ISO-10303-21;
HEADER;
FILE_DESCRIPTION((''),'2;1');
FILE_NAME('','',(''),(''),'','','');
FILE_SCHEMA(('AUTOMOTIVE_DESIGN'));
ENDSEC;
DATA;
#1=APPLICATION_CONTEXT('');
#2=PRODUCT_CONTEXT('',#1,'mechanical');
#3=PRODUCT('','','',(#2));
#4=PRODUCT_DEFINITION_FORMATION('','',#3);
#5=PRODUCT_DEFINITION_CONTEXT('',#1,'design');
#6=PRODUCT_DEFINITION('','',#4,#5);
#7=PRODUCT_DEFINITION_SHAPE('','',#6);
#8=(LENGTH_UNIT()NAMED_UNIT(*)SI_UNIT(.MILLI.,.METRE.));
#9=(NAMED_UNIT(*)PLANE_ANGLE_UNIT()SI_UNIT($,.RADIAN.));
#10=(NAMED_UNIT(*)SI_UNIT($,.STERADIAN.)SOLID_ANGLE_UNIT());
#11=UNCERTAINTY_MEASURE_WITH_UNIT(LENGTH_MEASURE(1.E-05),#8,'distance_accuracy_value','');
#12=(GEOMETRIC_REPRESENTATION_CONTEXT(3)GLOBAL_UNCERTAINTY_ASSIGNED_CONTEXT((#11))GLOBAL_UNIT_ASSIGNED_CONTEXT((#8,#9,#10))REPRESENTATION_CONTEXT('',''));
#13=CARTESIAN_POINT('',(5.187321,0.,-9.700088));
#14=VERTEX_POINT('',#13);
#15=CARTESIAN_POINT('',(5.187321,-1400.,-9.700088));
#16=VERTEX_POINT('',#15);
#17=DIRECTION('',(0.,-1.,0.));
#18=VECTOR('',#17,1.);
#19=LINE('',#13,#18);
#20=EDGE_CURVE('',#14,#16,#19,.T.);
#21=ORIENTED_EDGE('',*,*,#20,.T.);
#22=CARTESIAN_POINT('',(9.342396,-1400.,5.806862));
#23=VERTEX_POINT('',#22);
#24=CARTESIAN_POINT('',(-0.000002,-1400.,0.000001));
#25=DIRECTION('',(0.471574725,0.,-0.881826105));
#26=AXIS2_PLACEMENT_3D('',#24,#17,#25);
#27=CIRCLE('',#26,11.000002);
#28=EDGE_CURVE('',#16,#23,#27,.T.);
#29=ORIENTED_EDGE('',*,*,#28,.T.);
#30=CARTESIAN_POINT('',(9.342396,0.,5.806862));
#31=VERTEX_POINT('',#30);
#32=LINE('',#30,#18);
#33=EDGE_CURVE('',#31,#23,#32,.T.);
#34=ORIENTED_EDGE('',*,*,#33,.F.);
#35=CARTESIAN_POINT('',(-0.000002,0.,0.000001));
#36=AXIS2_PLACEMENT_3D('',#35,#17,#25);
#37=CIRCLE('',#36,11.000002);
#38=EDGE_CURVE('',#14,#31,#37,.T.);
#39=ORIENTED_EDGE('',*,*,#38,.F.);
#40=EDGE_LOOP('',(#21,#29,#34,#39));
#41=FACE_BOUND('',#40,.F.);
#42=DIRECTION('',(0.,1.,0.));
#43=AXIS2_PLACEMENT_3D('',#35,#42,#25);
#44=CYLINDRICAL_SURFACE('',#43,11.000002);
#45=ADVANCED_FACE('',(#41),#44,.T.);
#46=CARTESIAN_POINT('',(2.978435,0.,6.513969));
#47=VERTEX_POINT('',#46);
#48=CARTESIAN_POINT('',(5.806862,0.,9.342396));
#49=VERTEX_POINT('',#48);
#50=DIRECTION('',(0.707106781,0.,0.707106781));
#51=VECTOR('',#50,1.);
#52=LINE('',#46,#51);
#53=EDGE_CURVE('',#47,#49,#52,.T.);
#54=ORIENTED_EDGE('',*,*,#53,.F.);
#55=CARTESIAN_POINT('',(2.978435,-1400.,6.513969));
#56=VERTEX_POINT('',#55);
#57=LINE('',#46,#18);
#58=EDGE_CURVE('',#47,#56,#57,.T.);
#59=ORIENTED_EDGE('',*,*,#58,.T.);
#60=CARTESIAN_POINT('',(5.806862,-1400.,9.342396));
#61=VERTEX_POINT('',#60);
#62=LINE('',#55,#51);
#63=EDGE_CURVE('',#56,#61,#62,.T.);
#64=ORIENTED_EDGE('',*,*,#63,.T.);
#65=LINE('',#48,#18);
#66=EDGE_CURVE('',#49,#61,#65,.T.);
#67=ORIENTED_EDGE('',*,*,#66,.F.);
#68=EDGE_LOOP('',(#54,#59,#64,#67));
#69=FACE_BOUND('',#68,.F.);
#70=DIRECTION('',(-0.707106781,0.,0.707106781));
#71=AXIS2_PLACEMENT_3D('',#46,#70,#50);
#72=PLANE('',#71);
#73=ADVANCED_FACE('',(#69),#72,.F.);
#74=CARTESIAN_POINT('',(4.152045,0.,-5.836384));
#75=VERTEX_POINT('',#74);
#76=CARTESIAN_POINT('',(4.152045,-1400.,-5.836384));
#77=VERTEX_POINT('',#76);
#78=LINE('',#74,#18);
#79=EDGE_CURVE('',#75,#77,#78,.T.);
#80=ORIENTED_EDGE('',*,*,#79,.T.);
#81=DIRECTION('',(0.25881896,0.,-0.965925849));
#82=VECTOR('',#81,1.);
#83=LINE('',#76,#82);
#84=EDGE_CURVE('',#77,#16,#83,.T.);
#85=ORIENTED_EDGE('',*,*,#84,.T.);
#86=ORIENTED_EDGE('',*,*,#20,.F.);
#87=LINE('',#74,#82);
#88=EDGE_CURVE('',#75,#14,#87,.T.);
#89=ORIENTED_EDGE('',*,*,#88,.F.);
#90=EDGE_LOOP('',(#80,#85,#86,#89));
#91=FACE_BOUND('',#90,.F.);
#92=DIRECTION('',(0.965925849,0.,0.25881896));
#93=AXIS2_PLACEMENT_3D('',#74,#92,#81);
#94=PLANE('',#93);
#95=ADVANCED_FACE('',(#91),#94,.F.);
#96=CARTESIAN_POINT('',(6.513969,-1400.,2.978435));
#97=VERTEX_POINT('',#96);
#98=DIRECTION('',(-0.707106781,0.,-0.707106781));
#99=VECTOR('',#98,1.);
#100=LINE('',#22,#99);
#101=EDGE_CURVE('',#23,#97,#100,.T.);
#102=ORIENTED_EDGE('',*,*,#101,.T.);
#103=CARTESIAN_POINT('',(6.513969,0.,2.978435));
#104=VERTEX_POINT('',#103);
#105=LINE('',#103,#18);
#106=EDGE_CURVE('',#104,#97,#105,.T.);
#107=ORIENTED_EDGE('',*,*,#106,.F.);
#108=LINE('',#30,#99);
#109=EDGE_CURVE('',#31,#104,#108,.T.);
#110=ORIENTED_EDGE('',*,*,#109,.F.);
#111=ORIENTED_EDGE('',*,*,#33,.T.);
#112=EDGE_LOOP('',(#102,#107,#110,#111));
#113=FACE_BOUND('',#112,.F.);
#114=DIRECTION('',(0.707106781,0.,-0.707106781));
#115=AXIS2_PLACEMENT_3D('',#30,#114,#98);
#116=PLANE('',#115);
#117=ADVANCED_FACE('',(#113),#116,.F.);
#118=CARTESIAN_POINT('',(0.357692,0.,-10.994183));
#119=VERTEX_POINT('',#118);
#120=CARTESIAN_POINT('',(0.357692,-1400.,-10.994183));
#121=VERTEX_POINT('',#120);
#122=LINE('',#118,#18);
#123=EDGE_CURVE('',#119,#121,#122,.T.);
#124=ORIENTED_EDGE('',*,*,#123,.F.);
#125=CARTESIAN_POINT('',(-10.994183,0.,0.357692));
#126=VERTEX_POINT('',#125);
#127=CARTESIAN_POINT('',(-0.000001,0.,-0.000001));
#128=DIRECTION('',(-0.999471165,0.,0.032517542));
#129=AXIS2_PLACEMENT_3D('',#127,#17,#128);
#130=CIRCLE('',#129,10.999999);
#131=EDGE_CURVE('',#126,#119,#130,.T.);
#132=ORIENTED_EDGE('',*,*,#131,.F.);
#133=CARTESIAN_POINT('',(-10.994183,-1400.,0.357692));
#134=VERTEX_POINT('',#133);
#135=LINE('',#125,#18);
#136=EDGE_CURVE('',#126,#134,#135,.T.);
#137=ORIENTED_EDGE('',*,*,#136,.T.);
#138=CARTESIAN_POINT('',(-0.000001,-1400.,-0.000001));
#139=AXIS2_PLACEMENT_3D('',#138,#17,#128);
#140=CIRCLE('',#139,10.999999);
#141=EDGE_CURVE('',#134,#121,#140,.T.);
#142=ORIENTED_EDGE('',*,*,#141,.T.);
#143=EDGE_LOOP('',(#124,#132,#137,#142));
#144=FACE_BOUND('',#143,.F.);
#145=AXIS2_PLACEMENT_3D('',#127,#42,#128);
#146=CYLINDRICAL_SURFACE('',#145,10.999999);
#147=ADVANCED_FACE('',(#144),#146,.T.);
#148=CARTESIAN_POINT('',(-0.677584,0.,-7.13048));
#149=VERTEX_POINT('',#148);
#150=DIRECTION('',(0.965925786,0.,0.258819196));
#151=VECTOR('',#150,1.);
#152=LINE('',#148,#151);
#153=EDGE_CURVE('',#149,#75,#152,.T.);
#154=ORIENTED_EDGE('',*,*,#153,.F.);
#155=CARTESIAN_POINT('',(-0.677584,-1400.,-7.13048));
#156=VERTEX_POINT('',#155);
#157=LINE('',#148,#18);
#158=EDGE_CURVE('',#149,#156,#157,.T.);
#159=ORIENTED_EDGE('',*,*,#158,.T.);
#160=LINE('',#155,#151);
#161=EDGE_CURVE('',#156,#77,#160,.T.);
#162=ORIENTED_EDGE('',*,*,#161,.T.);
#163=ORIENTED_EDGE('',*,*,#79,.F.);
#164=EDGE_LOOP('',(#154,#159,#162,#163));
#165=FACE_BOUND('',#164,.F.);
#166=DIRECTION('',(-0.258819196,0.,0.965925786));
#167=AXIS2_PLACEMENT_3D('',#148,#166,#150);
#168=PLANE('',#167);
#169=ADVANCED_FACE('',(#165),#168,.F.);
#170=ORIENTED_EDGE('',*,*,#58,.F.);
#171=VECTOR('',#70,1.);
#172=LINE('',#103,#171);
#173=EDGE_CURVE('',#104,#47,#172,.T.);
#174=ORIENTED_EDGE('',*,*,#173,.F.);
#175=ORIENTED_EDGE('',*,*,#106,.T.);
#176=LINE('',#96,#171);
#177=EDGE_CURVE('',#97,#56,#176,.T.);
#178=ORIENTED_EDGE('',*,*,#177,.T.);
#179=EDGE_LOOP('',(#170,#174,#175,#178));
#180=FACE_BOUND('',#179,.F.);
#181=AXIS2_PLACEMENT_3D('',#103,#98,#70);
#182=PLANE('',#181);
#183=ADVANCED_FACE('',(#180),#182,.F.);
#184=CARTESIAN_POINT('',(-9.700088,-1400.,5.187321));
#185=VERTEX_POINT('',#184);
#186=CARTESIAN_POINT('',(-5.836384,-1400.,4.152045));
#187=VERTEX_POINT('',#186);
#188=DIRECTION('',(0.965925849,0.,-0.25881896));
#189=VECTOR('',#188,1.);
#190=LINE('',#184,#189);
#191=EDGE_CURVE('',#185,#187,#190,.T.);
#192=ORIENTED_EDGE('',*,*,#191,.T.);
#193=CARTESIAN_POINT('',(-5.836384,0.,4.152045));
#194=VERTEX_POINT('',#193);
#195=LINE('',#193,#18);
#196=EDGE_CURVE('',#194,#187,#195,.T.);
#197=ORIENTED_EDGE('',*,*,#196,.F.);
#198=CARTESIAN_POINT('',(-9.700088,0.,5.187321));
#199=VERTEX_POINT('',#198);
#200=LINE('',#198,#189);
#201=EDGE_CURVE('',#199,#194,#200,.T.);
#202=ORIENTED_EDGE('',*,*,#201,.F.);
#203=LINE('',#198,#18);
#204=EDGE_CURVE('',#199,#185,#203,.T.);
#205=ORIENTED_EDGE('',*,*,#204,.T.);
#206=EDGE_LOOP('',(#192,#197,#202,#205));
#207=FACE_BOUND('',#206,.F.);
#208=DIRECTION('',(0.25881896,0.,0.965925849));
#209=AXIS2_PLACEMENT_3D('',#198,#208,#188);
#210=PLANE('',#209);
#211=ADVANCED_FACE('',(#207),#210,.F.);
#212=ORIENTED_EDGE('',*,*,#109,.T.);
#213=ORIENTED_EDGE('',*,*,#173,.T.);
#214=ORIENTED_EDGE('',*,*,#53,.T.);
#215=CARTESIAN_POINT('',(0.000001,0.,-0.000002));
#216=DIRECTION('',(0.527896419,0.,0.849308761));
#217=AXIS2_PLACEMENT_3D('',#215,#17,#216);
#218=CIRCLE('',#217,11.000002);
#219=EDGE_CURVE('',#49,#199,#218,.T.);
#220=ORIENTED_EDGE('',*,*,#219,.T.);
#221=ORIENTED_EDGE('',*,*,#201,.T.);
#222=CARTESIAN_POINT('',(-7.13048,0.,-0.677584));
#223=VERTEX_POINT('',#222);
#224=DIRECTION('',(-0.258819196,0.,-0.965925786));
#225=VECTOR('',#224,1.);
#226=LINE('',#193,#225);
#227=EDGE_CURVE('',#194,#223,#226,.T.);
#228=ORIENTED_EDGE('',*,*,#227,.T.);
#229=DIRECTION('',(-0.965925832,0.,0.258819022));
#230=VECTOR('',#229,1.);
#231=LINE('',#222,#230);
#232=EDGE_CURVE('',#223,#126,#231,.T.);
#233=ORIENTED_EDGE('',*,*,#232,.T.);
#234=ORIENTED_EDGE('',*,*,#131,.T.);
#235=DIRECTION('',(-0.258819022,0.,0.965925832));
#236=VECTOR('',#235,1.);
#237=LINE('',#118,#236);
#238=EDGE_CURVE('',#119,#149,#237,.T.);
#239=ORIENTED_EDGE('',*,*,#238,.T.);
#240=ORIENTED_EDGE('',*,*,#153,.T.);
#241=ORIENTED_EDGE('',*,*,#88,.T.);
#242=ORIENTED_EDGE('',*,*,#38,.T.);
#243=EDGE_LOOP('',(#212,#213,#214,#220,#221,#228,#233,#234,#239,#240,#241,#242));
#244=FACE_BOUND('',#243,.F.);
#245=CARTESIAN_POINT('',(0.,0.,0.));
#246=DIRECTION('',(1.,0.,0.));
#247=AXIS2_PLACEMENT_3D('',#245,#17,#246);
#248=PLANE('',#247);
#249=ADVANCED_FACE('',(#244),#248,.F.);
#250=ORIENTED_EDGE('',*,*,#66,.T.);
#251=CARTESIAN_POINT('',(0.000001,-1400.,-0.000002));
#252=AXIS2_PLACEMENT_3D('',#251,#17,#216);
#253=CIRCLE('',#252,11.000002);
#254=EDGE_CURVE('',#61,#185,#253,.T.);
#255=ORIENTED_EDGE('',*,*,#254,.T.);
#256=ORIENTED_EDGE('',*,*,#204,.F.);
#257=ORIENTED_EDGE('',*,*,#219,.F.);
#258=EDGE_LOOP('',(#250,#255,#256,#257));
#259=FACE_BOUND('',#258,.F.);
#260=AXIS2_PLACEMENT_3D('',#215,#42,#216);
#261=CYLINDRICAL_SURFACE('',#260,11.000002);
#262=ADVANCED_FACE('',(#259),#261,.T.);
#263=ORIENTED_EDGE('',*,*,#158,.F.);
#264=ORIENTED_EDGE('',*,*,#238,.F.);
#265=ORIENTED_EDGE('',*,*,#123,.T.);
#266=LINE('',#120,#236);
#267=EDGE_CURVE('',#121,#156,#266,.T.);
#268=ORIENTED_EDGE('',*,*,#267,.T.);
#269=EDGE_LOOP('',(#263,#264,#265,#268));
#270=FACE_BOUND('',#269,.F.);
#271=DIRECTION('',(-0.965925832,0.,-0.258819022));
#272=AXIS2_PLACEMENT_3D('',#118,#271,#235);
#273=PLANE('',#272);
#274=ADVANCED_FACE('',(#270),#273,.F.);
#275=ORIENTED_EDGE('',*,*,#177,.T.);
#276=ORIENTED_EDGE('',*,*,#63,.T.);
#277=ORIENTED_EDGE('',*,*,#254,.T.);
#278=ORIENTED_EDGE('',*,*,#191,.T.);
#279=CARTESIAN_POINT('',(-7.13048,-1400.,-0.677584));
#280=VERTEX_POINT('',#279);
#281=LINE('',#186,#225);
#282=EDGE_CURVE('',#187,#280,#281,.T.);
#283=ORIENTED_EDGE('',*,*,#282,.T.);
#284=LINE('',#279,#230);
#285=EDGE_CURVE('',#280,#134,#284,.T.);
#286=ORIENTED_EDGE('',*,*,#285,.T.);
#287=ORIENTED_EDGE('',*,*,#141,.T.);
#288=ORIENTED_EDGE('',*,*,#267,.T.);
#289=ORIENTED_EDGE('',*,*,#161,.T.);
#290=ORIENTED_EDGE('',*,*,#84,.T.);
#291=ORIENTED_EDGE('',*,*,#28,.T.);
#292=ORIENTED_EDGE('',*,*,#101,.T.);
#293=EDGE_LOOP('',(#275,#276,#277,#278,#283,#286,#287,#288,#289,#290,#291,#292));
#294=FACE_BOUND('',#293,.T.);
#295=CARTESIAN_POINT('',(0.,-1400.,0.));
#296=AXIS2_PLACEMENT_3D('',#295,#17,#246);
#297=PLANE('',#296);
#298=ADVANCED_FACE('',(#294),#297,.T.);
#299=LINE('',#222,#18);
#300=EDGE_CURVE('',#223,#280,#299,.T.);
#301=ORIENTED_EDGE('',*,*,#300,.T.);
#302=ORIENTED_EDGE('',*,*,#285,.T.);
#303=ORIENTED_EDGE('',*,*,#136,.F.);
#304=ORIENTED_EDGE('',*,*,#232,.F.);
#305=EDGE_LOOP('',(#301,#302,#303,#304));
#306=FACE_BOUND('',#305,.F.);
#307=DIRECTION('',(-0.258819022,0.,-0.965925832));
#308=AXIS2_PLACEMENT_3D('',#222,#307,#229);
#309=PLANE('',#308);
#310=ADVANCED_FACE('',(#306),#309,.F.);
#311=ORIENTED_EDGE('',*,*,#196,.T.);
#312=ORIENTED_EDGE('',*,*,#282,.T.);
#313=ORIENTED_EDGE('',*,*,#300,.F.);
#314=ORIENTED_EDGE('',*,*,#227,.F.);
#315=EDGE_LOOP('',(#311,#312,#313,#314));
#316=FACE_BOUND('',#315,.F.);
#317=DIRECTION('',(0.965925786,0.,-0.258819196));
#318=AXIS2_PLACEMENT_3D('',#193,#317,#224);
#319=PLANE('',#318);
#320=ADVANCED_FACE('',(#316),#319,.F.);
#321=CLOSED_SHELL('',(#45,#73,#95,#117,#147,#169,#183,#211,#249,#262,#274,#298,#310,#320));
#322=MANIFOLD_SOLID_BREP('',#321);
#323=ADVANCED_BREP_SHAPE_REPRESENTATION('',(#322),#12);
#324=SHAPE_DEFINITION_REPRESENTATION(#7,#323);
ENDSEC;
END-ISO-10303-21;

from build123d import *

# Parameters (mm, degrees)
F1_DEPTH = 1400


with BuildPart() as f1:
    # F0 (on Front) → F1 (new body)
    with BuildSketch(Plane.XZ):
        with BuildLine():
            Line((2.978435, 6.513969), (5.806862, 9.342396))
            ThreePointArc((5.806862, 9.342396), (-2.847009, 10.625184), (-9.700088, 5.187321))
            Line((-9.700088, 5.187321), (-5.836384, 4.152045))
            Line((-5.836384, 4.152045), (-7.13048, -0.677584))
            Line((-7.13048, -0.677584), (-10.994183, 0.357692))
            ThreePointArc((-10.994183, 0.357692), (-7.778175, -7.778175), (0.357692, -10.994183))
            Line((0.357692, -10.994183), (-0.677584, -7.13048))
            Line((-0.677584, -7.13048), (4.152045, -5.836384))
            Line((4.152045, -5.836384), (5.187321, -9.700088))
            ThreePointArc((5.187321, -9.700088), (10.625184, -2.847009), (9.342396, 5.806862))
            Line((9.342396, 5.806862), (6.513969, 2.978435))
            Line((6.513969, 2.978435), (2.978435, 6.513969))
        make_face()
    extrude(amount=F1_DEPTH)


solid = f1.part
